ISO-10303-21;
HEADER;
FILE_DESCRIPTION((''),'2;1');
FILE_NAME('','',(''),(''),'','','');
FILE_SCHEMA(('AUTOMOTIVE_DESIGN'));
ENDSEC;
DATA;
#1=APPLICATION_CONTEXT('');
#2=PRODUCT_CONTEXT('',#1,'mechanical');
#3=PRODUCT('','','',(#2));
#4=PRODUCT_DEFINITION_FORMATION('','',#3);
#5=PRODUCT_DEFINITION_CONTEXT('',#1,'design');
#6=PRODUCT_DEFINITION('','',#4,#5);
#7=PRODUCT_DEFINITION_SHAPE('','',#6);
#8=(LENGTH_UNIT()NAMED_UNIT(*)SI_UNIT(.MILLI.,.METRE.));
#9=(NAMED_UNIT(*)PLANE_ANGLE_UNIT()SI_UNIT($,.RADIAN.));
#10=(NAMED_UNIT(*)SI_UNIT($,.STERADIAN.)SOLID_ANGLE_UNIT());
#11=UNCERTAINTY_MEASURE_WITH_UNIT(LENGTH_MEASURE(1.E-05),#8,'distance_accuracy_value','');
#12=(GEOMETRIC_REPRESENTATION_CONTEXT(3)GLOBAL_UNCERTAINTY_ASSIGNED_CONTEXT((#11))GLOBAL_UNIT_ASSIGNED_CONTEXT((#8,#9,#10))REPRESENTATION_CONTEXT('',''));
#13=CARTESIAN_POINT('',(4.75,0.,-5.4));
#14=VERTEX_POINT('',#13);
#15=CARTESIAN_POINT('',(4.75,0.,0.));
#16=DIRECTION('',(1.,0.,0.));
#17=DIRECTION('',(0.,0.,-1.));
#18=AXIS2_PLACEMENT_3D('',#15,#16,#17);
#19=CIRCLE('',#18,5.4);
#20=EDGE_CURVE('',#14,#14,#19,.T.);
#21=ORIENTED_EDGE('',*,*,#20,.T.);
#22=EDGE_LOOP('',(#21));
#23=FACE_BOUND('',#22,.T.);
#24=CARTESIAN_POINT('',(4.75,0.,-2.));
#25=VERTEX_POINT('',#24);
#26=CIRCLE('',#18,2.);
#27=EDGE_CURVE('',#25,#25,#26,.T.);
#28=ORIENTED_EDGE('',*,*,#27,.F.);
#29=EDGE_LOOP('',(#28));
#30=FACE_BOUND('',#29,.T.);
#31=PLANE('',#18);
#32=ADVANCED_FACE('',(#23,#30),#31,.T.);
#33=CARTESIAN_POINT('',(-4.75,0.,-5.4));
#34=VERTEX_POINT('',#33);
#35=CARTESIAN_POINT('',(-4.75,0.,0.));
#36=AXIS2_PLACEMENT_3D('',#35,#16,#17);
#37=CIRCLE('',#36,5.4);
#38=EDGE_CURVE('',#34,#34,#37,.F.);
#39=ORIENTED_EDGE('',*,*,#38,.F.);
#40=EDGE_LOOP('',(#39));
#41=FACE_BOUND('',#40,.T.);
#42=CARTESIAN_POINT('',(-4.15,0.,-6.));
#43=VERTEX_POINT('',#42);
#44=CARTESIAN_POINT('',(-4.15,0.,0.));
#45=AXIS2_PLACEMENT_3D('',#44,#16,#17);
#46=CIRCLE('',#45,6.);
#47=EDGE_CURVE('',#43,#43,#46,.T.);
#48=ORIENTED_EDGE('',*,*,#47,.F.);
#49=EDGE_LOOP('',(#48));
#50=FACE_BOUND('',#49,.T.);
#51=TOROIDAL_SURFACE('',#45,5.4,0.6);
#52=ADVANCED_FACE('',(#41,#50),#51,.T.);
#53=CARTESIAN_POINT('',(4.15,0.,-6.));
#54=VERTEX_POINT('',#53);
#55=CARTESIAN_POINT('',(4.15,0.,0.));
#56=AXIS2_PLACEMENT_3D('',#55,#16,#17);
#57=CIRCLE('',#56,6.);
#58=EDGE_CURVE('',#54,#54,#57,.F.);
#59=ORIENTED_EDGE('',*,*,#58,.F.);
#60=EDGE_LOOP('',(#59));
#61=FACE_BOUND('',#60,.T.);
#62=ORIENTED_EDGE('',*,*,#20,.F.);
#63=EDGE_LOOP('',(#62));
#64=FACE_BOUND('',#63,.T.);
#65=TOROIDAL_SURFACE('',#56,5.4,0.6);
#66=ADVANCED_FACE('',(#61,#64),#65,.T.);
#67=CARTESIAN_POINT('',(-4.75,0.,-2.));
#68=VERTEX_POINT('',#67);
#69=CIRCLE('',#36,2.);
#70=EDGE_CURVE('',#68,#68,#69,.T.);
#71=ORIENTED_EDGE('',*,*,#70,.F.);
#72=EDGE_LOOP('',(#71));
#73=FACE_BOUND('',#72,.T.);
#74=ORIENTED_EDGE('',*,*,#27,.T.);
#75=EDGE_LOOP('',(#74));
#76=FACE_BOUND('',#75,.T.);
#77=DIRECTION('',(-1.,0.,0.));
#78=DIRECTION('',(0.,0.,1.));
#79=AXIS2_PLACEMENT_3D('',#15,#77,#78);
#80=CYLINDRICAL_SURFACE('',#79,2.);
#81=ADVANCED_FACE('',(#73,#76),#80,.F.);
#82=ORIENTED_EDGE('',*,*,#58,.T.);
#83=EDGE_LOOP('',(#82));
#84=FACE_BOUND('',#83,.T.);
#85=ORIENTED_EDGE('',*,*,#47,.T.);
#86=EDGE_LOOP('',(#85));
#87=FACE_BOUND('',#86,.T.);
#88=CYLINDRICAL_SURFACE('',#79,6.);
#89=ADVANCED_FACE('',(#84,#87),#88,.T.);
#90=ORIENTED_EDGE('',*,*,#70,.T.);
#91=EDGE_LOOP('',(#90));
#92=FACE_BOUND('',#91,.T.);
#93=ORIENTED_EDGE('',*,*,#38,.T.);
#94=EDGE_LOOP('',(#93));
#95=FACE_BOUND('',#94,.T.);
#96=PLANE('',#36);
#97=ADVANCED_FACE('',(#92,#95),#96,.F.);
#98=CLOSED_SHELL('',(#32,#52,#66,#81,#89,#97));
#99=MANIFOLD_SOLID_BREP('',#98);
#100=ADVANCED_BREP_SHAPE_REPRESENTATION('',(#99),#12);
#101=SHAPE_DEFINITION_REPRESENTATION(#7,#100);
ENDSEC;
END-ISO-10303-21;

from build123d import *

# Parameters (mm, degrees)
ESQUISSE1_R        = 6
ESQUISSE1_R_2      = 2
BOSS_EXTRU_1_DEPTH = 4.75
CONG_1_R           = 0.6


with BuildPart() as part:
    # Esquisse1 → Boss.-Extru.1 (new, symmetric)
    with BuildSketch(Plane(origin=(0, 0, 0), x_dir=(0, 0, -1), z_dir=(1, 0, 0))):
        Circle(ESQUISSE1_R)
        Circle(ESQUISSE1_R_2, mode=Mode.SUBTRACT)
    extrude(amount=BOSS_EXTRU_1_DEPTH, both=True)

    # Congé1
    cong_1_edges = [part.edges().sort_by_distance(p)[0] for p in [
        (-4.75, 0, 6),
        (4.75, 0, 6),
    ]]
    fillet(cong_1_edges, radius=CONG_1_R)


solid = part.part
